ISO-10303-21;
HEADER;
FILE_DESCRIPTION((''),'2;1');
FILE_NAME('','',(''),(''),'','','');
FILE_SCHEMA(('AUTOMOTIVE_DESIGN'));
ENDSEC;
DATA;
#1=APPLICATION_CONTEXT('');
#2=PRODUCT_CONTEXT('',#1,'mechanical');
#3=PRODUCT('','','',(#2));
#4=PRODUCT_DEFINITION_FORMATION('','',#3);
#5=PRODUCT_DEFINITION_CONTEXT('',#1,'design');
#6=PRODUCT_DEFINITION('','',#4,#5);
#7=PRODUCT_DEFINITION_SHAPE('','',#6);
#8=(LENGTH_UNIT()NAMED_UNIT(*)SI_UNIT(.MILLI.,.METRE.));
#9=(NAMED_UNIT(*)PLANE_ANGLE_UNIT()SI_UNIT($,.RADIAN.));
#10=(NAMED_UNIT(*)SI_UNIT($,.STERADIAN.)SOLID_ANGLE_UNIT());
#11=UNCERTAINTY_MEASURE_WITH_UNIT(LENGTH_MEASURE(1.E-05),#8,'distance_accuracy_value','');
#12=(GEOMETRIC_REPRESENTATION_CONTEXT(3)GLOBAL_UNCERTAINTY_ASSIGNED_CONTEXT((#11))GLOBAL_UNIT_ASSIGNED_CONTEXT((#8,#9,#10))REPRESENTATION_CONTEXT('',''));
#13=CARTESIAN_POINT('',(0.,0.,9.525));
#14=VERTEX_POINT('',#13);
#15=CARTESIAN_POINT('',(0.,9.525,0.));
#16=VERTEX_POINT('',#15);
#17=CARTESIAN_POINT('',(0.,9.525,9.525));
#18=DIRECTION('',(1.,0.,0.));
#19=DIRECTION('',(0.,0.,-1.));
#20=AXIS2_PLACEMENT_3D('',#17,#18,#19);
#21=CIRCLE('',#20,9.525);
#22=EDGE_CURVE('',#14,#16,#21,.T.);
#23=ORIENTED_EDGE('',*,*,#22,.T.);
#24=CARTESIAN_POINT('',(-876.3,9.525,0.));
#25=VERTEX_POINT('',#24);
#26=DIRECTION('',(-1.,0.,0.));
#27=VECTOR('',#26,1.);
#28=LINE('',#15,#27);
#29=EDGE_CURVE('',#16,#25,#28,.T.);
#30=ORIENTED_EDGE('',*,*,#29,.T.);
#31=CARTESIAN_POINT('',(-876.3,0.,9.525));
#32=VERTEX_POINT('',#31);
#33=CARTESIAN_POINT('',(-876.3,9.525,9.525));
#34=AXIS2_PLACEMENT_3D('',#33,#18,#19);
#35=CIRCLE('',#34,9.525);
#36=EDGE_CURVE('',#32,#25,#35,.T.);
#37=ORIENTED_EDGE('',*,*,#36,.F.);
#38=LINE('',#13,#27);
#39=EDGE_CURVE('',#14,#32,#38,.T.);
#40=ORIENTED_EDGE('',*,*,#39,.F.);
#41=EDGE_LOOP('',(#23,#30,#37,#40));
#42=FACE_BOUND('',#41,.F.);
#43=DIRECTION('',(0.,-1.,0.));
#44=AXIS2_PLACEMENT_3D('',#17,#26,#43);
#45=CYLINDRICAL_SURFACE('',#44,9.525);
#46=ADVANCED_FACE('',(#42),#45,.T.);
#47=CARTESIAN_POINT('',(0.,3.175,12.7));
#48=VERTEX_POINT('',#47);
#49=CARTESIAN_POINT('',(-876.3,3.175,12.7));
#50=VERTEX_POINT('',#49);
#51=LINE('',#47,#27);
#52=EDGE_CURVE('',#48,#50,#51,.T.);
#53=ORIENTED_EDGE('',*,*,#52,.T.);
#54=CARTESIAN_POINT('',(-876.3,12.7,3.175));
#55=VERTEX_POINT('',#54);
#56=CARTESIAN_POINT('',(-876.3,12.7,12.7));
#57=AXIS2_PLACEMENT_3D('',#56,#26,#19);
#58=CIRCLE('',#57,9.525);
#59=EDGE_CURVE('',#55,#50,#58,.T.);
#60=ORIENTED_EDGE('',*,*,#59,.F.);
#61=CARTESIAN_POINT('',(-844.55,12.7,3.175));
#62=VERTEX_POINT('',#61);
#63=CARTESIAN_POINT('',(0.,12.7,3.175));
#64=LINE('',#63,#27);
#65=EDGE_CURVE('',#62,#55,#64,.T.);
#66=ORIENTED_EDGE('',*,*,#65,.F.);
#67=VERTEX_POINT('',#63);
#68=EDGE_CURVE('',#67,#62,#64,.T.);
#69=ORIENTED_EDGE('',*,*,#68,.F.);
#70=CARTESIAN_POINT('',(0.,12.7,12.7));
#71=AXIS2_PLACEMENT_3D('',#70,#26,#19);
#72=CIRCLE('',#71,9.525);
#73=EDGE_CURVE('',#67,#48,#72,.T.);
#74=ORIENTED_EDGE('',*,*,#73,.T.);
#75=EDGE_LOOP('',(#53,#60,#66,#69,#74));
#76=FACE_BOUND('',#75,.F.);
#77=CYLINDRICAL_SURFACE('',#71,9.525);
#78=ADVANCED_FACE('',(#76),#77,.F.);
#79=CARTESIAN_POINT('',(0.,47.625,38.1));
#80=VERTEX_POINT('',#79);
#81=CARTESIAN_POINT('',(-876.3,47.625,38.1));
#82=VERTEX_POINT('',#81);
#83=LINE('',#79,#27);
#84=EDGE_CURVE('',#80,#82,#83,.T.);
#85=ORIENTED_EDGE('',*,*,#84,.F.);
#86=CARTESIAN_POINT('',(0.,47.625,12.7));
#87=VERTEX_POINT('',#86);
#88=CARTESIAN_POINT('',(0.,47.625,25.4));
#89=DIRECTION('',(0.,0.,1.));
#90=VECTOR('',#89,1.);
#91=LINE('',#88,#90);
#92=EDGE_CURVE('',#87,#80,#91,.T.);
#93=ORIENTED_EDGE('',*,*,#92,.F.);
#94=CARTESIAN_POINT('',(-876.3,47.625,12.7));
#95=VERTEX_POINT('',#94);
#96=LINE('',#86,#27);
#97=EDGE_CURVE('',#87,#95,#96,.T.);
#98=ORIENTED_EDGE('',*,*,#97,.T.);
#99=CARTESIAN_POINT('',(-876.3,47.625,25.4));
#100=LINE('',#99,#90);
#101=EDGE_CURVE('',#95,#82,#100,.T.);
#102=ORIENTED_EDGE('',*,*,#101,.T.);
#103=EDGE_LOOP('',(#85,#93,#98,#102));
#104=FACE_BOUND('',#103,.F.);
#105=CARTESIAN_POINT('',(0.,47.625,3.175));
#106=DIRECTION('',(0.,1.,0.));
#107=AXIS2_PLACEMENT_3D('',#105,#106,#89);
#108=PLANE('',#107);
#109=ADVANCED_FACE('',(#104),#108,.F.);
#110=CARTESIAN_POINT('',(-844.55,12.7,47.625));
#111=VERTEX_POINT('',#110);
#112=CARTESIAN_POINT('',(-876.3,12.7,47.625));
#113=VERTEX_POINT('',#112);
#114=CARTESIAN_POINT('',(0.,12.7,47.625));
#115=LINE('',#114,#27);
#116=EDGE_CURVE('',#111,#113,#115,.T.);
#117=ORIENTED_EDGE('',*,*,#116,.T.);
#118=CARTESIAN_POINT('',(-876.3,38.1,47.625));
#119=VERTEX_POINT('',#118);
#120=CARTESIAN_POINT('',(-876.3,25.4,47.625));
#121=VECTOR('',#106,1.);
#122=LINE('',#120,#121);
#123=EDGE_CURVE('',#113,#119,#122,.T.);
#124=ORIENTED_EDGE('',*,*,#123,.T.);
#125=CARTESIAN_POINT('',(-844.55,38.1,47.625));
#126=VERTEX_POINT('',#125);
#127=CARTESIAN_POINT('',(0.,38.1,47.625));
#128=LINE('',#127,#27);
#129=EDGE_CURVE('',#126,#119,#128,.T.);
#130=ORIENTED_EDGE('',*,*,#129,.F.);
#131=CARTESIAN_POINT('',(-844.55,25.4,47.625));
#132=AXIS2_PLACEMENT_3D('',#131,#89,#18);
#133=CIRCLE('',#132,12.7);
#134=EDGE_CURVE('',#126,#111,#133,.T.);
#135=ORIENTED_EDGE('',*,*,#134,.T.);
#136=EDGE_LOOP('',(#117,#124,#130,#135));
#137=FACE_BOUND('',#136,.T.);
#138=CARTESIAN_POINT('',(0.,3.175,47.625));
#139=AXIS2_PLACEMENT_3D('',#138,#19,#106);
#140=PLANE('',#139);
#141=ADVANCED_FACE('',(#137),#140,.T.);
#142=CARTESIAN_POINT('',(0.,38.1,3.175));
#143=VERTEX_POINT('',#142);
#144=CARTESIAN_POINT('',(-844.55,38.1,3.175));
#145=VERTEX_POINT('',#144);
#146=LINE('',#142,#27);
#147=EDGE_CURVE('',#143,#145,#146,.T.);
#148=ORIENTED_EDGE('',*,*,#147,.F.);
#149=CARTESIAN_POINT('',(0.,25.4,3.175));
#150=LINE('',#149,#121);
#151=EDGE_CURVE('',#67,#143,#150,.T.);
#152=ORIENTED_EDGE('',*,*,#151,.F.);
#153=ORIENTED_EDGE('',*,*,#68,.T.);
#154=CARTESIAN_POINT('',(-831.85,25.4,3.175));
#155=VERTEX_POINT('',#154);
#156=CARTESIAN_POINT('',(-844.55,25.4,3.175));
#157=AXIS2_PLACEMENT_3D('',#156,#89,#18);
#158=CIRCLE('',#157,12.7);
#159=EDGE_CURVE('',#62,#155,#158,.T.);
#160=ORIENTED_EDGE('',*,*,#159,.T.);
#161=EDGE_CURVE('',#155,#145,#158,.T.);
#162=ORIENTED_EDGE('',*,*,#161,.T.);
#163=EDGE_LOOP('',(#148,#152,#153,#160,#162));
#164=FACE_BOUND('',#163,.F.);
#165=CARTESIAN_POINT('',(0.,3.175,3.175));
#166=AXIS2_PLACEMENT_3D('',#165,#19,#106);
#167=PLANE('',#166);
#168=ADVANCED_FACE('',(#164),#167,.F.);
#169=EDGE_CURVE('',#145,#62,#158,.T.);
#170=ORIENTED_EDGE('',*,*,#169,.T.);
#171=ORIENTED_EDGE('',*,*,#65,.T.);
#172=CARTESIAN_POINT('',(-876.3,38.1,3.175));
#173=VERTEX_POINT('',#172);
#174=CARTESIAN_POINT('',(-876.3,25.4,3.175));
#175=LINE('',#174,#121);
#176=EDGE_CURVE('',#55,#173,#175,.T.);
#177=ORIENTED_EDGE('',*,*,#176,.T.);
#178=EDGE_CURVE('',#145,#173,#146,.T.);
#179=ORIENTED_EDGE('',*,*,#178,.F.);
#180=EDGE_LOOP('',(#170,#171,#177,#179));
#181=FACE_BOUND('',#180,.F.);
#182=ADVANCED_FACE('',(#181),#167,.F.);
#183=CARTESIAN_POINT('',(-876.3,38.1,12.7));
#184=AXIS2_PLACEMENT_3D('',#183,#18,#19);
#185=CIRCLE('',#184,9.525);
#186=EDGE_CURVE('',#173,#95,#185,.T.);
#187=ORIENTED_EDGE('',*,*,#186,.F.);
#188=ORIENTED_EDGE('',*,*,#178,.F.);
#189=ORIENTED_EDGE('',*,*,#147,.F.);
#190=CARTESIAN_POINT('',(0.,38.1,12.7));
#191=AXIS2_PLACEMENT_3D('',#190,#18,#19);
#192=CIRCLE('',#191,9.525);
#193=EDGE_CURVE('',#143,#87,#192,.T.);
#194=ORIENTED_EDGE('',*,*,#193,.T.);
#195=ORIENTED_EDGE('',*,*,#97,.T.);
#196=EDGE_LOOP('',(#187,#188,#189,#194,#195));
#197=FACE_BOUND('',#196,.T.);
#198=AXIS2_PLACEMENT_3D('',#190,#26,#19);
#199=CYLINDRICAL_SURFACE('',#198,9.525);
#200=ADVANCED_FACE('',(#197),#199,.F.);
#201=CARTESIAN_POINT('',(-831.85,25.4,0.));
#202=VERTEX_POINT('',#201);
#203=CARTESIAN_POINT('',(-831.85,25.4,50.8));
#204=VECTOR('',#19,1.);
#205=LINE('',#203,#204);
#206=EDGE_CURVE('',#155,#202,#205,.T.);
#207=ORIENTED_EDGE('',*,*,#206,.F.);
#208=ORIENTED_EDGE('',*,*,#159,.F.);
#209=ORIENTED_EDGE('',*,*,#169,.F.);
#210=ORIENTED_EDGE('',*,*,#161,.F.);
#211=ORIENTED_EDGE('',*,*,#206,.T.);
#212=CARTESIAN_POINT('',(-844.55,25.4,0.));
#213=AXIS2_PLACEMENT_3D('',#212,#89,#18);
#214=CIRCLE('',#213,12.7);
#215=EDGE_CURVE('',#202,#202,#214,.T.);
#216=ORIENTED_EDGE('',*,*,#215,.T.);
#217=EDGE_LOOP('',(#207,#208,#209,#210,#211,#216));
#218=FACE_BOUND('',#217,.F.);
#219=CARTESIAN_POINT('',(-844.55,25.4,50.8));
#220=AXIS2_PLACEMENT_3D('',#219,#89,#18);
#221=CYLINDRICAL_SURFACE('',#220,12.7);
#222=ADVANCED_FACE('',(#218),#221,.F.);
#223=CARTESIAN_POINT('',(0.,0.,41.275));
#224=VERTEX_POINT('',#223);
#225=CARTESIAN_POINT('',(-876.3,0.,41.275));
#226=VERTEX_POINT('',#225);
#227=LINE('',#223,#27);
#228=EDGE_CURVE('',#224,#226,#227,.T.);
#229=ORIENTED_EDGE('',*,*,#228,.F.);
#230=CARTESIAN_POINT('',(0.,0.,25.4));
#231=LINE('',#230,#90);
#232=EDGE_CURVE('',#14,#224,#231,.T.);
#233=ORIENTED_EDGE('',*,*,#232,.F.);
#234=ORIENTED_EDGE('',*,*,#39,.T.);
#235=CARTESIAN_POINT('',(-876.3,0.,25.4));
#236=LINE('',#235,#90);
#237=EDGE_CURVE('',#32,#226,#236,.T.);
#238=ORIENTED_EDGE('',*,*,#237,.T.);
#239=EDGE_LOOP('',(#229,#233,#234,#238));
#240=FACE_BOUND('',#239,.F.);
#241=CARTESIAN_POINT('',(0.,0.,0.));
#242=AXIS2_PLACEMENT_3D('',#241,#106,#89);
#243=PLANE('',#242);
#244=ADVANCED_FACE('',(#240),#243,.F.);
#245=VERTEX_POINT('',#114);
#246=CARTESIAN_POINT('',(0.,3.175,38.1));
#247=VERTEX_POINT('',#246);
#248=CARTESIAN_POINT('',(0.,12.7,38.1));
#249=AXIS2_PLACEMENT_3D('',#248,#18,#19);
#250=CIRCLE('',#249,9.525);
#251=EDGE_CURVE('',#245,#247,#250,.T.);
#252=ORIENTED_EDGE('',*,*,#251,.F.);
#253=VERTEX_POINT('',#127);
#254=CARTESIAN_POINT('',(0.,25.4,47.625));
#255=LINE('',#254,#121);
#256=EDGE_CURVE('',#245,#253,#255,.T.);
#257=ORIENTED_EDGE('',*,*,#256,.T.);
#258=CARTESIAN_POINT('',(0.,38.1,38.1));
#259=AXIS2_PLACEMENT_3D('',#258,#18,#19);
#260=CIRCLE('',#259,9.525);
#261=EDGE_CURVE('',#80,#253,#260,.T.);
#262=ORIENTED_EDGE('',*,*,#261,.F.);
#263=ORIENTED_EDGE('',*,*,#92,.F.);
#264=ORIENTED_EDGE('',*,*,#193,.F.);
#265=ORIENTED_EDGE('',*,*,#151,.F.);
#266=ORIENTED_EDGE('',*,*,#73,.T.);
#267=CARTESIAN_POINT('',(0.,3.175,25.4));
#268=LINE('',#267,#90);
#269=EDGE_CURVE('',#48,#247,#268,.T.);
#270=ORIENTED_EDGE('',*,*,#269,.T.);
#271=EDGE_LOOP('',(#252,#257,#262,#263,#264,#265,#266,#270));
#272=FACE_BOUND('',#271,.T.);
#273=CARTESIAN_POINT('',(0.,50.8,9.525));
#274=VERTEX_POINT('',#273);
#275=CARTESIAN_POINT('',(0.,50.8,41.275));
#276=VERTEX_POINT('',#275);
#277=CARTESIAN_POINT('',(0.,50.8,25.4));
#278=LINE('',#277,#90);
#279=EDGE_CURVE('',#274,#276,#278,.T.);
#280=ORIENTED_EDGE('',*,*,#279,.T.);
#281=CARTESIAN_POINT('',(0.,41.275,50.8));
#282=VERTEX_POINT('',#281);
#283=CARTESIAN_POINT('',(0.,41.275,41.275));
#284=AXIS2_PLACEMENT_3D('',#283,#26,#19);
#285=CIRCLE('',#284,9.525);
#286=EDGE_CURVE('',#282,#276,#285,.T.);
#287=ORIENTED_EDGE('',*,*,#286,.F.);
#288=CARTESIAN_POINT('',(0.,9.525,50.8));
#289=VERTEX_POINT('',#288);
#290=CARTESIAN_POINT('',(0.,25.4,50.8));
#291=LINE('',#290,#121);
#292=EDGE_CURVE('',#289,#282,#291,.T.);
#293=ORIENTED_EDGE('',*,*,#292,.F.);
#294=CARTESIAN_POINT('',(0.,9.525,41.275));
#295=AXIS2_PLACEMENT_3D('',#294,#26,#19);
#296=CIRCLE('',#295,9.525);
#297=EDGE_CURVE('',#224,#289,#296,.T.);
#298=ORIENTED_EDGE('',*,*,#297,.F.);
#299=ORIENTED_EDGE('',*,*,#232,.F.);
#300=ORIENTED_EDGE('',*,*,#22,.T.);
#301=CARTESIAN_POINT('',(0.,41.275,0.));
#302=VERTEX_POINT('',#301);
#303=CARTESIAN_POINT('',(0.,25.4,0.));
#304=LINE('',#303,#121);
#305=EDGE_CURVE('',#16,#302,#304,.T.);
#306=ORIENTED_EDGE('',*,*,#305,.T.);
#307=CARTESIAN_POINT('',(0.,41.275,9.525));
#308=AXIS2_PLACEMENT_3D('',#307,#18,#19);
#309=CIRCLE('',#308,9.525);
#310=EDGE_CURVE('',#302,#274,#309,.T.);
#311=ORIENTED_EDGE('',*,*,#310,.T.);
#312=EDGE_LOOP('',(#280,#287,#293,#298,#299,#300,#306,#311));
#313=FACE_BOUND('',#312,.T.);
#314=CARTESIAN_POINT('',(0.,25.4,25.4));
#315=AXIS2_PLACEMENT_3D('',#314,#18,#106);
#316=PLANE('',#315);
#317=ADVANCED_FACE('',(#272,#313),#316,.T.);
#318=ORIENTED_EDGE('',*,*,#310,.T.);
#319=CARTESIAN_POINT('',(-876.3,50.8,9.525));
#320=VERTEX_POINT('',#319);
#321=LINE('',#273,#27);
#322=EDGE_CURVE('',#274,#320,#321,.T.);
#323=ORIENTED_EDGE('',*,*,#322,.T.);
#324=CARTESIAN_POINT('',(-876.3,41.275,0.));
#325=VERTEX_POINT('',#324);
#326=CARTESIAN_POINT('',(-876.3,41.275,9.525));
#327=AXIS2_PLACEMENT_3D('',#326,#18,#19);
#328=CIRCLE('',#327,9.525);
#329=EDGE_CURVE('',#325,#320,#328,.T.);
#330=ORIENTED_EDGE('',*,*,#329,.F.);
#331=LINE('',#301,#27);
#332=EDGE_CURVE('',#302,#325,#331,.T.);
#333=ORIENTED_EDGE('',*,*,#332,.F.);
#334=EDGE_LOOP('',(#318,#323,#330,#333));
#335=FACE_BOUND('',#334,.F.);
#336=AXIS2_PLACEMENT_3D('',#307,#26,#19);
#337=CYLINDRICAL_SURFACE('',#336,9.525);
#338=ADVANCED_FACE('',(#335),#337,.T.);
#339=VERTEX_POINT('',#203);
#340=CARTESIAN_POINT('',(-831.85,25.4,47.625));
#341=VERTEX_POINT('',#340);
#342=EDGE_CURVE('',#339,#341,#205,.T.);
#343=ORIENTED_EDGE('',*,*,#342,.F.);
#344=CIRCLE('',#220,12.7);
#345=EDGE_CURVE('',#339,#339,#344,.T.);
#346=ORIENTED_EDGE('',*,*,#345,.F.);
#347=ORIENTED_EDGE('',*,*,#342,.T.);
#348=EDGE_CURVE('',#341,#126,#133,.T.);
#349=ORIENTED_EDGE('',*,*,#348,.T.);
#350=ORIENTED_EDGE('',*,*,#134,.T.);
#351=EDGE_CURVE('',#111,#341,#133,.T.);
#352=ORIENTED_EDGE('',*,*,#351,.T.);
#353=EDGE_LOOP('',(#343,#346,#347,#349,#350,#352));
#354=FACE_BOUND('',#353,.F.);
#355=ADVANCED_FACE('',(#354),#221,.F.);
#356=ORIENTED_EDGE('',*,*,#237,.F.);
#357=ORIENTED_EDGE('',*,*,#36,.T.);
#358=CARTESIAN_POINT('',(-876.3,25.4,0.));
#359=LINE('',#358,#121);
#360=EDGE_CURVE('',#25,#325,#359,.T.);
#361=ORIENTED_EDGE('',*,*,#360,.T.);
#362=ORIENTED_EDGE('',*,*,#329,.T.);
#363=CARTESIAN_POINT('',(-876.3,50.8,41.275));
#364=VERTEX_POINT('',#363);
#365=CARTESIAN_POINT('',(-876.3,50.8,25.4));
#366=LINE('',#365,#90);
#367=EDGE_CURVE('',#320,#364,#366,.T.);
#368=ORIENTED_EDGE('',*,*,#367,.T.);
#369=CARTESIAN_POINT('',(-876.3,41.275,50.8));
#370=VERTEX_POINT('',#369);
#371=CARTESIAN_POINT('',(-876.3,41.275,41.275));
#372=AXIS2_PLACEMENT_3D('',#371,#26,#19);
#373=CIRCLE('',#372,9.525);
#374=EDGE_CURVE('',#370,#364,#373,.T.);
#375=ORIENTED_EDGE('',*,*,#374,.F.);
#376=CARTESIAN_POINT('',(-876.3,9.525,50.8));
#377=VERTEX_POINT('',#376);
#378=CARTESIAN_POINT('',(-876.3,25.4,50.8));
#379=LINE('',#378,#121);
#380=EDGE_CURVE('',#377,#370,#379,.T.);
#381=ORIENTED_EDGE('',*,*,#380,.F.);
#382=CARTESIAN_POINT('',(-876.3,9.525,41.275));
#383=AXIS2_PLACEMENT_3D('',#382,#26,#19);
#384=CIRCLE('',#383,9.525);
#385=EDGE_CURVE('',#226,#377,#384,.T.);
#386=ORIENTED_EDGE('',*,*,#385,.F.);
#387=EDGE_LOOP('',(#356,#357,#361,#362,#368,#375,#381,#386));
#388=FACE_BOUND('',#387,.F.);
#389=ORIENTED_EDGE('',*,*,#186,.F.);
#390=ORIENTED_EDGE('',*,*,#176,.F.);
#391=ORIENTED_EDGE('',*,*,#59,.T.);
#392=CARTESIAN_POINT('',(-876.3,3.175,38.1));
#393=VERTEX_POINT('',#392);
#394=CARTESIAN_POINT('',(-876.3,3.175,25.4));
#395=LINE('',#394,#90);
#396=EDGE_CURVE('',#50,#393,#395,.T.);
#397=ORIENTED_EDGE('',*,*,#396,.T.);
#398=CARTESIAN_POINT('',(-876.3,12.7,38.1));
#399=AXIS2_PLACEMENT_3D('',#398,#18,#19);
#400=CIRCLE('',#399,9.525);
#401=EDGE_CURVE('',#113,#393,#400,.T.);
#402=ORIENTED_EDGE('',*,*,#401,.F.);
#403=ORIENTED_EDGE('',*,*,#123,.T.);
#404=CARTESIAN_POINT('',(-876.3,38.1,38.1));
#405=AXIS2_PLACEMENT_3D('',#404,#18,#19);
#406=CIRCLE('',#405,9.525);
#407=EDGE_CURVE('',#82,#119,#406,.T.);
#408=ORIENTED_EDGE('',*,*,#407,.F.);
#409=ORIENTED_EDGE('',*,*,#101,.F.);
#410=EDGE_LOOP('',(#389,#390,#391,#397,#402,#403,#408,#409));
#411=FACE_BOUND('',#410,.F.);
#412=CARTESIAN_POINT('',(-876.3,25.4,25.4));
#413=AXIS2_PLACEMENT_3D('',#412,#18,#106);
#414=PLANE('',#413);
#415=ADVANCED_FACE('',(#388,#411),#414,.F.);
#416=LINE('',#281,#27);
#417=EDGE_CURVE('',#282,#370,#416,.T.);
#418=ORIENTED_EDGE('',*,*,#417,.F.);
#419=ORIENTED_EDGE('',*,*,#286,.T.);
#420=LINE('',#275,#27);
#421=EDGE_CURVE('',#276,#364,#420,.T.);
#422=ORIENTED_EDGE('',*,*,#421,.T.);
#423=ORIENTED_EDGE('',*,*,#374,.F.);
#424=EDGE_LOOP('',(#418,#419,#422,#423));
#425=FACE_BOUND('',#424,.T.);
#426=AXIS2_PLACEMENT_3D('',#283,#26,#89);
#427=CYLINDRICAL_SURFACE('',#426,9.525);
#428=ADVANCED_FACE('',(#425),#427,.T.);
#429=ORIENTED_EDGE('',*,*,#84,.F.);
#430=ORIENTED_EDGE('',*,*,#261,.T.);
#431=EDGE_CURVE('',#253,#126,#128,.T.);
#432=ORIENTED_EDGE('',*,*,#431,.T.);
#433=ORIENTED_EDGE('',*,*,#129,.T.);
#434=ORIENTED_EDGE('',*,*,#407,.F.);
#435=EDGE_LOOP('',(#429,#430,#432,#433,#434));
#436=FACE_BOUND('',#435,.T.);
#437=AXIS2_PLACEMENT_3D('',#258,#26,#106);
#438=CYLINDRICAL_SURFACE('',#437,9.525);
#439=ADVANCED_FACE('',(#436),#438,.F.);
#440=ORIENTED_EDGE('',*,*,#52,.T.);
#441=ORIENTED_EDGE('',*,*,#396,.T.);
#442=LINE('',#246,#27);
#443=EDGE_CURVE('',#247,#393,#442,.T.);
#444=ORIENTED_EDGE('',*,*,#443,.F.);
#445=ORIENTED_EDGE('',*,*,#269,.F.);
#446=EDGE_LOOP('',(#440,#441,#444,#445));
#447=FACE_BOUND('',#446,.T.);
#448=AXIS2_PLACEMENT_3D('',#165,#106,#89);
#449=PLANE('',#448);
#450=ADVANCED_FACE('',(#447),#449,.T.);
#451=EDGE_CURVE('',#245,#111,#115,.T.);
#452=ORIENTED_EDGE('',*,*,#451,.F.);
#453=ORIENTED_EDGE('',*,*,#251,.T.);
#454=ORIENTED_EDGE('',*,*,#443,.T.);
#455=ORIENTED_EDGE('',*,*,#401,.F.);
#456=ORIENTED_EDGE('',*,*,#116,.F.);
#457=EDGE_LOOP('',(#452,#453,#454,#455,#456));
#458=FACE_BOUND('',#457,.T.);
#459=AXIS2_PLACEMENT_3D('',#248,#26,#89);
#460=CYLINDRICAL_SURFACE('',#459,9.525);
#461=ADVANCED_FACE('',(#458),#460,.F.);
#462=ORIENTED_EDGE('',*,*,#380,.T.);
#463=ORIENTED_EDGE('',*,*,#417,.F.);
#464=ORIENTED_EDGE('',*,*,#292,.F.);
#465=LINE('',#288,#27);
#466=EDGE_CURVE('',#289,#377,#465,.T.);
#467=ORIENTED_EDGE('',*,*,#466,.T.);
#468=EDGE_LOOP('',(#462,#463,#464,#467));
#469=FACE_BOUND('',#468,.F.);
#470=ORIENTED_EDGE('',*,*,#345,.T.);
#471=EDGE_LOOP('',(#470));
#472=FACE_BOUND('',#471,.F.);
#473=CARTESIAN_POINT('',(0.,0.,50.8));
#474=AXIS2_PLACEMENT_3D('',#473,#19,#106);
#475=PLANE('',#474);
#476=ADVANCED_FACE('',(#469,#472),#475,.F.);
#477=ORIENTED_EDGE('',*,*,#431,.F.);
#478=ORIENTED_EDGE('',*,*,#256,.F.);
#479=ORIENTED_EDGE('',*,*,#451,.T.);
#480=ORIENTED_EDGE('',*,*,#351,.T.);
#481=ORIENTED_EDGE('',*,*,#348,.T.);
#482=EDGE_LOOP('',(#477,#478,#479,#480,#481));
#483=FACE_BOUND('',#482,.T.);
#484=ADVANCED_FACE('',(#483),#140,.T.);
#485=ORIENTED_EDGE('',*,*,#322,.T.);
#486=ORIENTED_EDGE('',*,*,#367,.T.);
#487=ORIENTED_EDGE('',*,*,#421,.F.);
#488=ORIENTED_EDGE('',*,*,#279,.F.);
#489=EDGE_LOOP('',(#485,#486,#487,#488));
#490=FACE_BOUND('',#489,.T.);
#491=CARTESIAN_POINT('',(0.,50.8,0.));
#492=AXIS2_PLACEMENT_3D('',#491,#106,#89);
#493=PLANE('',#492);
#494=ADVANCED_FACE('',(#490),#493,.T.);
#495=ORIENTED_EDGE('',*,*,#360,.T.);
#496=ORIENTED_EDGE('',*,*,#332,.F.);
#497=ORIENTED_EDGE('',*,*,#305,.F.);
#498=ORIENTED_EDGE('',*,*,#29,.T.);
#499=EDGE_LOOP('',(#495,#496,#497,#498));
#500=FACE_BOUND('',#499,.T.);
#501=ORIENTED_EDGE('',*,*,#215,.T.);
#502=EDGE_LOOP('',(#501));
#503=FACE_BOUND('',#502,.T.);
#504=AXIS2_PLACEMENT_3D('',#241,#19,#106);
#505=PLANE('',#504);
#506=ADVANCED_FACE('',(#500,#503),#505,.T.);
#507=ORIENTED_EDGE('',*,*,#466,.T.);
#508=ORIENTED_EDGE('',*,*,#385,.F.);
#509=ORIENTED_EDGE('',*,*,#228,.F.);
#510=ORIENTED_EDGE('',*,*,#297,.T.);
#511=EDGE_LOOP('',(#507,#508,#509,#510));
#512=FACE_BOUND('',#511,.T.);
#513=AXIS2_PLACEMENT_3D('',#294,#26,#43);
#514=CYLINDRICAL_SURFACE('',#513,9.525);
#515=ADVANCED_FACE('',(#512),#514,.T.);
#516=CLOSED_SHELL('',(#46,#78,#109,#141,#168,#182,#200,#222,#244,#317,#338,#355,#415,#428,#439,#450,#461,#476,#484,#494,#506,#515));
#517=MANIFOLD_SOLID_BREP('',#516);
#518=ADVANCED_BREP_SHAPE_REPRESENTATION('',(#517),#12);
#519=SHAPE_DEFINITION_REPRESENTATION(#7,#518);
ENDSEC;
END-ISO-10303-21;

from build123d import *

# Parameters (mm, degrees)
F0_W     = 50.8
F0_H     = 50.8
F1_DEPTH = 876.3
F2_W     = 44.45
F2_H     = 44.45
F3_DEPTH = 876.3
F4_R     = 9.525
F5_R     = 12.7
F6_DEPTH = 50.8


with BuildPart() as f1:
    # F0 (on Right) → F1 (new body)
    with BuildSketch(Plane.YZ):
        with Locations((25.4, 25.4)):
            Rectangle(F0_W, F0_H)
    extrude(amount=-F1_DEPTH)

    # F2 (on face) → F3 (cut)
    with BuildSketch(Plane.YZ):
        with Locations((25.4, 25.4)):
            Rectangle(F2_W, F2_H)
    extrude(amount=-F3_DEPTH, mode=Mode.SUBTRACT)

    # F4
    f4_edges = [f1.edges().sort_by_distance(p)[0] for p in [
        (-438.15, 3.175, 3.175),
        (-438.15, 47.625, 3.175),
        (-438.15, 47.625, 47.625),
        (-438.15, 3.175, 47.625),
        (-438.15, 50.8, 0),
        (-438.15, 50.8, 50.8),
        (-438.15, 0, 50.8),
        (-438.15, 0, 0),
    ]]
    fillet(f4_edges, radius=F4_R)

    # F5 (on face) → F6 (cut)
    with BuildSketch(Plane.XY.offset(50.8)):
        with Locations((-844.55, 25.4)):
            Circle(F5_R)
    extrude(amount=-F6_DEPTH, mode=Mode.SUBTRACT)


solid = f1.part
